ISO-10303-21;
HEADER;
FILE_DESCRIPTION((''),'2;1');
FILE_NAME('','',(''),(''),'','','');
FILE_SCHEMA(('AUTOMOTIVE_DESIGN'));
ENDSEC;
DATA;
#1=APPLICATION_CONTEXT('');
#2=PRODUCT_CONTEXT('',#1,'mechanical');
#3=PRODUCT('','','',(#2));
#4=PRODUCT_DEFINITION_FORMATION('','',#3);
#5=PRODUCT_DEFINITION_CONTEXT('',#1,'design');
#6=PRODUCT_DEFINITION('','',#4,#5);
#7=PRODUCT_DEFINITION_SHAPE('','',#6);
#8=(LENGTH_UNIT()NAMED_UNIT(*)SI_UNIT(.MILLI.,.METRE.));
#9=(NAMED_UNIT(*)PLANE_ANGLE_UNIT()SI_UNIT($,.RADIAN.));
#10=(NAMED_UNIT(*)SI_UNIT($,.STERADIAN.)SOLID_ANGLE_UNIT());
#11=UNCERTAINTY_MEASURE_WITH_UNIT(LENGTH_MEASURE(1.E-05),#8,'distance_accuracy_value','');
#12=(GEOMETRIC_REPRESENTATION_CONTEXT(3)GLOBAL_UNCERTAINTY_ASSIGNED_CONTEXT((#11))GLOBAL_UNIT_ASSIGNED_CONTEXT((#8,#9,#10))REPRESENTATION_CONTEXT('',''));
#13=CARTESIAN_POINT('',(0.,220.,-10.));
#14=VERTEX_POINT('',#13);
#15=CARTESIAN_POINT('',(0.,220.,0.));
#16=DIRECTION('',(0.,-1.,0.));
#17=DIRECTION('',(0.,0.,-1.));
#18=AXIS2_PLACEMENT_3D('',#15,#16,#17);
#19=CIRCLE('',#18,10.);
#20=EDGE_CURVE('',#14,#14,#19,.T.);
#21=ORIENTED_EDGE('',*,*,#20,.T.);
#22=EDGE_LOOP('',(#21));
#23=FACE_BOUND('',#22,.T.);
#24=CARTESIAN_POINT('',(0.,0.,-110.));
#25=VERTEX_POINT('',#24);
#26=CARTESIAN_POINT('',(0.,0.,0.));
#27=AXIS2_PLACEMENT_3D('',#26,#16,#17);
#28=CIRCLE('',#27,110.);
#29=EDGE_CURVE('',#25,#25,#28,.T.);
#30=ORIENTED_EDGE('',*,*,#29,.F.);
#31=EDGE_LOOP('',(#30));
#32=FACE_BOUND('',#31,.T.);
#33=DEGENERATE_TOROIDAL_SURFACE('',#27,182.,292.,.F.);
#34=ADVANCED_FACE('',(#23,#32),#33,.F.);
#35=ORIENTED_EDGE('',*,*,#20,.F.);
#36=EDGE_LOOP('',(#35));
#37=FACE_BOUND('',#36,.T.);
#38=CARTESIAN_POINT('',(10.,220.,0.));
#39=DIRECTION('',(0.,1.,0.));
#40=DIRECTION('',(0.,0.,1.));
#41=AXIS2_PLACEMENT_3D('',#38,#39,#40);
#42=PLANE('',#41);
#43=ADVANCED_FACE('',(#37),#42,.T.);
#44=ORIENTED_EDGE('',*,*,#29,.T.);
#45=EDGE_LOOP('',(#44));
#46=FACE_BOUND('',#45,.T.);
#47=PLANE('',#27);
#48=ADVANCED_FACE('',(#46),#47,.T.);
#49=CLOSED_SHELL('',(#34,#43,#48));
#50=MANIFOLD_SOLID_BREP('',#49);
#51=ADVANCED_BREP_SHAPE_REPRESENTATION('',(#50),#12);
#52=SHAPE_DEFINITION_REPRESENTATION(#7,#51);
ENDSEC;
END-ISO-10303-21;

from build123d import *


with BuildPart() as part:
    # Esboço1 → Revolução2 (revolve)
    with BuildSketch(Plane.XY):
        with BuildLine():
            Line((0, 0), (110, 0))
            ThreePointArc((110, 0), (83.827011419, 120.830459736), (10, 220))
            Line((10, 220), (0, 220))
            Line((0, 220), (0, 0))
        make_face()
    revolve(axis=Axis((0, 0, 0), (0, 1, 0)))


solid = part.part
